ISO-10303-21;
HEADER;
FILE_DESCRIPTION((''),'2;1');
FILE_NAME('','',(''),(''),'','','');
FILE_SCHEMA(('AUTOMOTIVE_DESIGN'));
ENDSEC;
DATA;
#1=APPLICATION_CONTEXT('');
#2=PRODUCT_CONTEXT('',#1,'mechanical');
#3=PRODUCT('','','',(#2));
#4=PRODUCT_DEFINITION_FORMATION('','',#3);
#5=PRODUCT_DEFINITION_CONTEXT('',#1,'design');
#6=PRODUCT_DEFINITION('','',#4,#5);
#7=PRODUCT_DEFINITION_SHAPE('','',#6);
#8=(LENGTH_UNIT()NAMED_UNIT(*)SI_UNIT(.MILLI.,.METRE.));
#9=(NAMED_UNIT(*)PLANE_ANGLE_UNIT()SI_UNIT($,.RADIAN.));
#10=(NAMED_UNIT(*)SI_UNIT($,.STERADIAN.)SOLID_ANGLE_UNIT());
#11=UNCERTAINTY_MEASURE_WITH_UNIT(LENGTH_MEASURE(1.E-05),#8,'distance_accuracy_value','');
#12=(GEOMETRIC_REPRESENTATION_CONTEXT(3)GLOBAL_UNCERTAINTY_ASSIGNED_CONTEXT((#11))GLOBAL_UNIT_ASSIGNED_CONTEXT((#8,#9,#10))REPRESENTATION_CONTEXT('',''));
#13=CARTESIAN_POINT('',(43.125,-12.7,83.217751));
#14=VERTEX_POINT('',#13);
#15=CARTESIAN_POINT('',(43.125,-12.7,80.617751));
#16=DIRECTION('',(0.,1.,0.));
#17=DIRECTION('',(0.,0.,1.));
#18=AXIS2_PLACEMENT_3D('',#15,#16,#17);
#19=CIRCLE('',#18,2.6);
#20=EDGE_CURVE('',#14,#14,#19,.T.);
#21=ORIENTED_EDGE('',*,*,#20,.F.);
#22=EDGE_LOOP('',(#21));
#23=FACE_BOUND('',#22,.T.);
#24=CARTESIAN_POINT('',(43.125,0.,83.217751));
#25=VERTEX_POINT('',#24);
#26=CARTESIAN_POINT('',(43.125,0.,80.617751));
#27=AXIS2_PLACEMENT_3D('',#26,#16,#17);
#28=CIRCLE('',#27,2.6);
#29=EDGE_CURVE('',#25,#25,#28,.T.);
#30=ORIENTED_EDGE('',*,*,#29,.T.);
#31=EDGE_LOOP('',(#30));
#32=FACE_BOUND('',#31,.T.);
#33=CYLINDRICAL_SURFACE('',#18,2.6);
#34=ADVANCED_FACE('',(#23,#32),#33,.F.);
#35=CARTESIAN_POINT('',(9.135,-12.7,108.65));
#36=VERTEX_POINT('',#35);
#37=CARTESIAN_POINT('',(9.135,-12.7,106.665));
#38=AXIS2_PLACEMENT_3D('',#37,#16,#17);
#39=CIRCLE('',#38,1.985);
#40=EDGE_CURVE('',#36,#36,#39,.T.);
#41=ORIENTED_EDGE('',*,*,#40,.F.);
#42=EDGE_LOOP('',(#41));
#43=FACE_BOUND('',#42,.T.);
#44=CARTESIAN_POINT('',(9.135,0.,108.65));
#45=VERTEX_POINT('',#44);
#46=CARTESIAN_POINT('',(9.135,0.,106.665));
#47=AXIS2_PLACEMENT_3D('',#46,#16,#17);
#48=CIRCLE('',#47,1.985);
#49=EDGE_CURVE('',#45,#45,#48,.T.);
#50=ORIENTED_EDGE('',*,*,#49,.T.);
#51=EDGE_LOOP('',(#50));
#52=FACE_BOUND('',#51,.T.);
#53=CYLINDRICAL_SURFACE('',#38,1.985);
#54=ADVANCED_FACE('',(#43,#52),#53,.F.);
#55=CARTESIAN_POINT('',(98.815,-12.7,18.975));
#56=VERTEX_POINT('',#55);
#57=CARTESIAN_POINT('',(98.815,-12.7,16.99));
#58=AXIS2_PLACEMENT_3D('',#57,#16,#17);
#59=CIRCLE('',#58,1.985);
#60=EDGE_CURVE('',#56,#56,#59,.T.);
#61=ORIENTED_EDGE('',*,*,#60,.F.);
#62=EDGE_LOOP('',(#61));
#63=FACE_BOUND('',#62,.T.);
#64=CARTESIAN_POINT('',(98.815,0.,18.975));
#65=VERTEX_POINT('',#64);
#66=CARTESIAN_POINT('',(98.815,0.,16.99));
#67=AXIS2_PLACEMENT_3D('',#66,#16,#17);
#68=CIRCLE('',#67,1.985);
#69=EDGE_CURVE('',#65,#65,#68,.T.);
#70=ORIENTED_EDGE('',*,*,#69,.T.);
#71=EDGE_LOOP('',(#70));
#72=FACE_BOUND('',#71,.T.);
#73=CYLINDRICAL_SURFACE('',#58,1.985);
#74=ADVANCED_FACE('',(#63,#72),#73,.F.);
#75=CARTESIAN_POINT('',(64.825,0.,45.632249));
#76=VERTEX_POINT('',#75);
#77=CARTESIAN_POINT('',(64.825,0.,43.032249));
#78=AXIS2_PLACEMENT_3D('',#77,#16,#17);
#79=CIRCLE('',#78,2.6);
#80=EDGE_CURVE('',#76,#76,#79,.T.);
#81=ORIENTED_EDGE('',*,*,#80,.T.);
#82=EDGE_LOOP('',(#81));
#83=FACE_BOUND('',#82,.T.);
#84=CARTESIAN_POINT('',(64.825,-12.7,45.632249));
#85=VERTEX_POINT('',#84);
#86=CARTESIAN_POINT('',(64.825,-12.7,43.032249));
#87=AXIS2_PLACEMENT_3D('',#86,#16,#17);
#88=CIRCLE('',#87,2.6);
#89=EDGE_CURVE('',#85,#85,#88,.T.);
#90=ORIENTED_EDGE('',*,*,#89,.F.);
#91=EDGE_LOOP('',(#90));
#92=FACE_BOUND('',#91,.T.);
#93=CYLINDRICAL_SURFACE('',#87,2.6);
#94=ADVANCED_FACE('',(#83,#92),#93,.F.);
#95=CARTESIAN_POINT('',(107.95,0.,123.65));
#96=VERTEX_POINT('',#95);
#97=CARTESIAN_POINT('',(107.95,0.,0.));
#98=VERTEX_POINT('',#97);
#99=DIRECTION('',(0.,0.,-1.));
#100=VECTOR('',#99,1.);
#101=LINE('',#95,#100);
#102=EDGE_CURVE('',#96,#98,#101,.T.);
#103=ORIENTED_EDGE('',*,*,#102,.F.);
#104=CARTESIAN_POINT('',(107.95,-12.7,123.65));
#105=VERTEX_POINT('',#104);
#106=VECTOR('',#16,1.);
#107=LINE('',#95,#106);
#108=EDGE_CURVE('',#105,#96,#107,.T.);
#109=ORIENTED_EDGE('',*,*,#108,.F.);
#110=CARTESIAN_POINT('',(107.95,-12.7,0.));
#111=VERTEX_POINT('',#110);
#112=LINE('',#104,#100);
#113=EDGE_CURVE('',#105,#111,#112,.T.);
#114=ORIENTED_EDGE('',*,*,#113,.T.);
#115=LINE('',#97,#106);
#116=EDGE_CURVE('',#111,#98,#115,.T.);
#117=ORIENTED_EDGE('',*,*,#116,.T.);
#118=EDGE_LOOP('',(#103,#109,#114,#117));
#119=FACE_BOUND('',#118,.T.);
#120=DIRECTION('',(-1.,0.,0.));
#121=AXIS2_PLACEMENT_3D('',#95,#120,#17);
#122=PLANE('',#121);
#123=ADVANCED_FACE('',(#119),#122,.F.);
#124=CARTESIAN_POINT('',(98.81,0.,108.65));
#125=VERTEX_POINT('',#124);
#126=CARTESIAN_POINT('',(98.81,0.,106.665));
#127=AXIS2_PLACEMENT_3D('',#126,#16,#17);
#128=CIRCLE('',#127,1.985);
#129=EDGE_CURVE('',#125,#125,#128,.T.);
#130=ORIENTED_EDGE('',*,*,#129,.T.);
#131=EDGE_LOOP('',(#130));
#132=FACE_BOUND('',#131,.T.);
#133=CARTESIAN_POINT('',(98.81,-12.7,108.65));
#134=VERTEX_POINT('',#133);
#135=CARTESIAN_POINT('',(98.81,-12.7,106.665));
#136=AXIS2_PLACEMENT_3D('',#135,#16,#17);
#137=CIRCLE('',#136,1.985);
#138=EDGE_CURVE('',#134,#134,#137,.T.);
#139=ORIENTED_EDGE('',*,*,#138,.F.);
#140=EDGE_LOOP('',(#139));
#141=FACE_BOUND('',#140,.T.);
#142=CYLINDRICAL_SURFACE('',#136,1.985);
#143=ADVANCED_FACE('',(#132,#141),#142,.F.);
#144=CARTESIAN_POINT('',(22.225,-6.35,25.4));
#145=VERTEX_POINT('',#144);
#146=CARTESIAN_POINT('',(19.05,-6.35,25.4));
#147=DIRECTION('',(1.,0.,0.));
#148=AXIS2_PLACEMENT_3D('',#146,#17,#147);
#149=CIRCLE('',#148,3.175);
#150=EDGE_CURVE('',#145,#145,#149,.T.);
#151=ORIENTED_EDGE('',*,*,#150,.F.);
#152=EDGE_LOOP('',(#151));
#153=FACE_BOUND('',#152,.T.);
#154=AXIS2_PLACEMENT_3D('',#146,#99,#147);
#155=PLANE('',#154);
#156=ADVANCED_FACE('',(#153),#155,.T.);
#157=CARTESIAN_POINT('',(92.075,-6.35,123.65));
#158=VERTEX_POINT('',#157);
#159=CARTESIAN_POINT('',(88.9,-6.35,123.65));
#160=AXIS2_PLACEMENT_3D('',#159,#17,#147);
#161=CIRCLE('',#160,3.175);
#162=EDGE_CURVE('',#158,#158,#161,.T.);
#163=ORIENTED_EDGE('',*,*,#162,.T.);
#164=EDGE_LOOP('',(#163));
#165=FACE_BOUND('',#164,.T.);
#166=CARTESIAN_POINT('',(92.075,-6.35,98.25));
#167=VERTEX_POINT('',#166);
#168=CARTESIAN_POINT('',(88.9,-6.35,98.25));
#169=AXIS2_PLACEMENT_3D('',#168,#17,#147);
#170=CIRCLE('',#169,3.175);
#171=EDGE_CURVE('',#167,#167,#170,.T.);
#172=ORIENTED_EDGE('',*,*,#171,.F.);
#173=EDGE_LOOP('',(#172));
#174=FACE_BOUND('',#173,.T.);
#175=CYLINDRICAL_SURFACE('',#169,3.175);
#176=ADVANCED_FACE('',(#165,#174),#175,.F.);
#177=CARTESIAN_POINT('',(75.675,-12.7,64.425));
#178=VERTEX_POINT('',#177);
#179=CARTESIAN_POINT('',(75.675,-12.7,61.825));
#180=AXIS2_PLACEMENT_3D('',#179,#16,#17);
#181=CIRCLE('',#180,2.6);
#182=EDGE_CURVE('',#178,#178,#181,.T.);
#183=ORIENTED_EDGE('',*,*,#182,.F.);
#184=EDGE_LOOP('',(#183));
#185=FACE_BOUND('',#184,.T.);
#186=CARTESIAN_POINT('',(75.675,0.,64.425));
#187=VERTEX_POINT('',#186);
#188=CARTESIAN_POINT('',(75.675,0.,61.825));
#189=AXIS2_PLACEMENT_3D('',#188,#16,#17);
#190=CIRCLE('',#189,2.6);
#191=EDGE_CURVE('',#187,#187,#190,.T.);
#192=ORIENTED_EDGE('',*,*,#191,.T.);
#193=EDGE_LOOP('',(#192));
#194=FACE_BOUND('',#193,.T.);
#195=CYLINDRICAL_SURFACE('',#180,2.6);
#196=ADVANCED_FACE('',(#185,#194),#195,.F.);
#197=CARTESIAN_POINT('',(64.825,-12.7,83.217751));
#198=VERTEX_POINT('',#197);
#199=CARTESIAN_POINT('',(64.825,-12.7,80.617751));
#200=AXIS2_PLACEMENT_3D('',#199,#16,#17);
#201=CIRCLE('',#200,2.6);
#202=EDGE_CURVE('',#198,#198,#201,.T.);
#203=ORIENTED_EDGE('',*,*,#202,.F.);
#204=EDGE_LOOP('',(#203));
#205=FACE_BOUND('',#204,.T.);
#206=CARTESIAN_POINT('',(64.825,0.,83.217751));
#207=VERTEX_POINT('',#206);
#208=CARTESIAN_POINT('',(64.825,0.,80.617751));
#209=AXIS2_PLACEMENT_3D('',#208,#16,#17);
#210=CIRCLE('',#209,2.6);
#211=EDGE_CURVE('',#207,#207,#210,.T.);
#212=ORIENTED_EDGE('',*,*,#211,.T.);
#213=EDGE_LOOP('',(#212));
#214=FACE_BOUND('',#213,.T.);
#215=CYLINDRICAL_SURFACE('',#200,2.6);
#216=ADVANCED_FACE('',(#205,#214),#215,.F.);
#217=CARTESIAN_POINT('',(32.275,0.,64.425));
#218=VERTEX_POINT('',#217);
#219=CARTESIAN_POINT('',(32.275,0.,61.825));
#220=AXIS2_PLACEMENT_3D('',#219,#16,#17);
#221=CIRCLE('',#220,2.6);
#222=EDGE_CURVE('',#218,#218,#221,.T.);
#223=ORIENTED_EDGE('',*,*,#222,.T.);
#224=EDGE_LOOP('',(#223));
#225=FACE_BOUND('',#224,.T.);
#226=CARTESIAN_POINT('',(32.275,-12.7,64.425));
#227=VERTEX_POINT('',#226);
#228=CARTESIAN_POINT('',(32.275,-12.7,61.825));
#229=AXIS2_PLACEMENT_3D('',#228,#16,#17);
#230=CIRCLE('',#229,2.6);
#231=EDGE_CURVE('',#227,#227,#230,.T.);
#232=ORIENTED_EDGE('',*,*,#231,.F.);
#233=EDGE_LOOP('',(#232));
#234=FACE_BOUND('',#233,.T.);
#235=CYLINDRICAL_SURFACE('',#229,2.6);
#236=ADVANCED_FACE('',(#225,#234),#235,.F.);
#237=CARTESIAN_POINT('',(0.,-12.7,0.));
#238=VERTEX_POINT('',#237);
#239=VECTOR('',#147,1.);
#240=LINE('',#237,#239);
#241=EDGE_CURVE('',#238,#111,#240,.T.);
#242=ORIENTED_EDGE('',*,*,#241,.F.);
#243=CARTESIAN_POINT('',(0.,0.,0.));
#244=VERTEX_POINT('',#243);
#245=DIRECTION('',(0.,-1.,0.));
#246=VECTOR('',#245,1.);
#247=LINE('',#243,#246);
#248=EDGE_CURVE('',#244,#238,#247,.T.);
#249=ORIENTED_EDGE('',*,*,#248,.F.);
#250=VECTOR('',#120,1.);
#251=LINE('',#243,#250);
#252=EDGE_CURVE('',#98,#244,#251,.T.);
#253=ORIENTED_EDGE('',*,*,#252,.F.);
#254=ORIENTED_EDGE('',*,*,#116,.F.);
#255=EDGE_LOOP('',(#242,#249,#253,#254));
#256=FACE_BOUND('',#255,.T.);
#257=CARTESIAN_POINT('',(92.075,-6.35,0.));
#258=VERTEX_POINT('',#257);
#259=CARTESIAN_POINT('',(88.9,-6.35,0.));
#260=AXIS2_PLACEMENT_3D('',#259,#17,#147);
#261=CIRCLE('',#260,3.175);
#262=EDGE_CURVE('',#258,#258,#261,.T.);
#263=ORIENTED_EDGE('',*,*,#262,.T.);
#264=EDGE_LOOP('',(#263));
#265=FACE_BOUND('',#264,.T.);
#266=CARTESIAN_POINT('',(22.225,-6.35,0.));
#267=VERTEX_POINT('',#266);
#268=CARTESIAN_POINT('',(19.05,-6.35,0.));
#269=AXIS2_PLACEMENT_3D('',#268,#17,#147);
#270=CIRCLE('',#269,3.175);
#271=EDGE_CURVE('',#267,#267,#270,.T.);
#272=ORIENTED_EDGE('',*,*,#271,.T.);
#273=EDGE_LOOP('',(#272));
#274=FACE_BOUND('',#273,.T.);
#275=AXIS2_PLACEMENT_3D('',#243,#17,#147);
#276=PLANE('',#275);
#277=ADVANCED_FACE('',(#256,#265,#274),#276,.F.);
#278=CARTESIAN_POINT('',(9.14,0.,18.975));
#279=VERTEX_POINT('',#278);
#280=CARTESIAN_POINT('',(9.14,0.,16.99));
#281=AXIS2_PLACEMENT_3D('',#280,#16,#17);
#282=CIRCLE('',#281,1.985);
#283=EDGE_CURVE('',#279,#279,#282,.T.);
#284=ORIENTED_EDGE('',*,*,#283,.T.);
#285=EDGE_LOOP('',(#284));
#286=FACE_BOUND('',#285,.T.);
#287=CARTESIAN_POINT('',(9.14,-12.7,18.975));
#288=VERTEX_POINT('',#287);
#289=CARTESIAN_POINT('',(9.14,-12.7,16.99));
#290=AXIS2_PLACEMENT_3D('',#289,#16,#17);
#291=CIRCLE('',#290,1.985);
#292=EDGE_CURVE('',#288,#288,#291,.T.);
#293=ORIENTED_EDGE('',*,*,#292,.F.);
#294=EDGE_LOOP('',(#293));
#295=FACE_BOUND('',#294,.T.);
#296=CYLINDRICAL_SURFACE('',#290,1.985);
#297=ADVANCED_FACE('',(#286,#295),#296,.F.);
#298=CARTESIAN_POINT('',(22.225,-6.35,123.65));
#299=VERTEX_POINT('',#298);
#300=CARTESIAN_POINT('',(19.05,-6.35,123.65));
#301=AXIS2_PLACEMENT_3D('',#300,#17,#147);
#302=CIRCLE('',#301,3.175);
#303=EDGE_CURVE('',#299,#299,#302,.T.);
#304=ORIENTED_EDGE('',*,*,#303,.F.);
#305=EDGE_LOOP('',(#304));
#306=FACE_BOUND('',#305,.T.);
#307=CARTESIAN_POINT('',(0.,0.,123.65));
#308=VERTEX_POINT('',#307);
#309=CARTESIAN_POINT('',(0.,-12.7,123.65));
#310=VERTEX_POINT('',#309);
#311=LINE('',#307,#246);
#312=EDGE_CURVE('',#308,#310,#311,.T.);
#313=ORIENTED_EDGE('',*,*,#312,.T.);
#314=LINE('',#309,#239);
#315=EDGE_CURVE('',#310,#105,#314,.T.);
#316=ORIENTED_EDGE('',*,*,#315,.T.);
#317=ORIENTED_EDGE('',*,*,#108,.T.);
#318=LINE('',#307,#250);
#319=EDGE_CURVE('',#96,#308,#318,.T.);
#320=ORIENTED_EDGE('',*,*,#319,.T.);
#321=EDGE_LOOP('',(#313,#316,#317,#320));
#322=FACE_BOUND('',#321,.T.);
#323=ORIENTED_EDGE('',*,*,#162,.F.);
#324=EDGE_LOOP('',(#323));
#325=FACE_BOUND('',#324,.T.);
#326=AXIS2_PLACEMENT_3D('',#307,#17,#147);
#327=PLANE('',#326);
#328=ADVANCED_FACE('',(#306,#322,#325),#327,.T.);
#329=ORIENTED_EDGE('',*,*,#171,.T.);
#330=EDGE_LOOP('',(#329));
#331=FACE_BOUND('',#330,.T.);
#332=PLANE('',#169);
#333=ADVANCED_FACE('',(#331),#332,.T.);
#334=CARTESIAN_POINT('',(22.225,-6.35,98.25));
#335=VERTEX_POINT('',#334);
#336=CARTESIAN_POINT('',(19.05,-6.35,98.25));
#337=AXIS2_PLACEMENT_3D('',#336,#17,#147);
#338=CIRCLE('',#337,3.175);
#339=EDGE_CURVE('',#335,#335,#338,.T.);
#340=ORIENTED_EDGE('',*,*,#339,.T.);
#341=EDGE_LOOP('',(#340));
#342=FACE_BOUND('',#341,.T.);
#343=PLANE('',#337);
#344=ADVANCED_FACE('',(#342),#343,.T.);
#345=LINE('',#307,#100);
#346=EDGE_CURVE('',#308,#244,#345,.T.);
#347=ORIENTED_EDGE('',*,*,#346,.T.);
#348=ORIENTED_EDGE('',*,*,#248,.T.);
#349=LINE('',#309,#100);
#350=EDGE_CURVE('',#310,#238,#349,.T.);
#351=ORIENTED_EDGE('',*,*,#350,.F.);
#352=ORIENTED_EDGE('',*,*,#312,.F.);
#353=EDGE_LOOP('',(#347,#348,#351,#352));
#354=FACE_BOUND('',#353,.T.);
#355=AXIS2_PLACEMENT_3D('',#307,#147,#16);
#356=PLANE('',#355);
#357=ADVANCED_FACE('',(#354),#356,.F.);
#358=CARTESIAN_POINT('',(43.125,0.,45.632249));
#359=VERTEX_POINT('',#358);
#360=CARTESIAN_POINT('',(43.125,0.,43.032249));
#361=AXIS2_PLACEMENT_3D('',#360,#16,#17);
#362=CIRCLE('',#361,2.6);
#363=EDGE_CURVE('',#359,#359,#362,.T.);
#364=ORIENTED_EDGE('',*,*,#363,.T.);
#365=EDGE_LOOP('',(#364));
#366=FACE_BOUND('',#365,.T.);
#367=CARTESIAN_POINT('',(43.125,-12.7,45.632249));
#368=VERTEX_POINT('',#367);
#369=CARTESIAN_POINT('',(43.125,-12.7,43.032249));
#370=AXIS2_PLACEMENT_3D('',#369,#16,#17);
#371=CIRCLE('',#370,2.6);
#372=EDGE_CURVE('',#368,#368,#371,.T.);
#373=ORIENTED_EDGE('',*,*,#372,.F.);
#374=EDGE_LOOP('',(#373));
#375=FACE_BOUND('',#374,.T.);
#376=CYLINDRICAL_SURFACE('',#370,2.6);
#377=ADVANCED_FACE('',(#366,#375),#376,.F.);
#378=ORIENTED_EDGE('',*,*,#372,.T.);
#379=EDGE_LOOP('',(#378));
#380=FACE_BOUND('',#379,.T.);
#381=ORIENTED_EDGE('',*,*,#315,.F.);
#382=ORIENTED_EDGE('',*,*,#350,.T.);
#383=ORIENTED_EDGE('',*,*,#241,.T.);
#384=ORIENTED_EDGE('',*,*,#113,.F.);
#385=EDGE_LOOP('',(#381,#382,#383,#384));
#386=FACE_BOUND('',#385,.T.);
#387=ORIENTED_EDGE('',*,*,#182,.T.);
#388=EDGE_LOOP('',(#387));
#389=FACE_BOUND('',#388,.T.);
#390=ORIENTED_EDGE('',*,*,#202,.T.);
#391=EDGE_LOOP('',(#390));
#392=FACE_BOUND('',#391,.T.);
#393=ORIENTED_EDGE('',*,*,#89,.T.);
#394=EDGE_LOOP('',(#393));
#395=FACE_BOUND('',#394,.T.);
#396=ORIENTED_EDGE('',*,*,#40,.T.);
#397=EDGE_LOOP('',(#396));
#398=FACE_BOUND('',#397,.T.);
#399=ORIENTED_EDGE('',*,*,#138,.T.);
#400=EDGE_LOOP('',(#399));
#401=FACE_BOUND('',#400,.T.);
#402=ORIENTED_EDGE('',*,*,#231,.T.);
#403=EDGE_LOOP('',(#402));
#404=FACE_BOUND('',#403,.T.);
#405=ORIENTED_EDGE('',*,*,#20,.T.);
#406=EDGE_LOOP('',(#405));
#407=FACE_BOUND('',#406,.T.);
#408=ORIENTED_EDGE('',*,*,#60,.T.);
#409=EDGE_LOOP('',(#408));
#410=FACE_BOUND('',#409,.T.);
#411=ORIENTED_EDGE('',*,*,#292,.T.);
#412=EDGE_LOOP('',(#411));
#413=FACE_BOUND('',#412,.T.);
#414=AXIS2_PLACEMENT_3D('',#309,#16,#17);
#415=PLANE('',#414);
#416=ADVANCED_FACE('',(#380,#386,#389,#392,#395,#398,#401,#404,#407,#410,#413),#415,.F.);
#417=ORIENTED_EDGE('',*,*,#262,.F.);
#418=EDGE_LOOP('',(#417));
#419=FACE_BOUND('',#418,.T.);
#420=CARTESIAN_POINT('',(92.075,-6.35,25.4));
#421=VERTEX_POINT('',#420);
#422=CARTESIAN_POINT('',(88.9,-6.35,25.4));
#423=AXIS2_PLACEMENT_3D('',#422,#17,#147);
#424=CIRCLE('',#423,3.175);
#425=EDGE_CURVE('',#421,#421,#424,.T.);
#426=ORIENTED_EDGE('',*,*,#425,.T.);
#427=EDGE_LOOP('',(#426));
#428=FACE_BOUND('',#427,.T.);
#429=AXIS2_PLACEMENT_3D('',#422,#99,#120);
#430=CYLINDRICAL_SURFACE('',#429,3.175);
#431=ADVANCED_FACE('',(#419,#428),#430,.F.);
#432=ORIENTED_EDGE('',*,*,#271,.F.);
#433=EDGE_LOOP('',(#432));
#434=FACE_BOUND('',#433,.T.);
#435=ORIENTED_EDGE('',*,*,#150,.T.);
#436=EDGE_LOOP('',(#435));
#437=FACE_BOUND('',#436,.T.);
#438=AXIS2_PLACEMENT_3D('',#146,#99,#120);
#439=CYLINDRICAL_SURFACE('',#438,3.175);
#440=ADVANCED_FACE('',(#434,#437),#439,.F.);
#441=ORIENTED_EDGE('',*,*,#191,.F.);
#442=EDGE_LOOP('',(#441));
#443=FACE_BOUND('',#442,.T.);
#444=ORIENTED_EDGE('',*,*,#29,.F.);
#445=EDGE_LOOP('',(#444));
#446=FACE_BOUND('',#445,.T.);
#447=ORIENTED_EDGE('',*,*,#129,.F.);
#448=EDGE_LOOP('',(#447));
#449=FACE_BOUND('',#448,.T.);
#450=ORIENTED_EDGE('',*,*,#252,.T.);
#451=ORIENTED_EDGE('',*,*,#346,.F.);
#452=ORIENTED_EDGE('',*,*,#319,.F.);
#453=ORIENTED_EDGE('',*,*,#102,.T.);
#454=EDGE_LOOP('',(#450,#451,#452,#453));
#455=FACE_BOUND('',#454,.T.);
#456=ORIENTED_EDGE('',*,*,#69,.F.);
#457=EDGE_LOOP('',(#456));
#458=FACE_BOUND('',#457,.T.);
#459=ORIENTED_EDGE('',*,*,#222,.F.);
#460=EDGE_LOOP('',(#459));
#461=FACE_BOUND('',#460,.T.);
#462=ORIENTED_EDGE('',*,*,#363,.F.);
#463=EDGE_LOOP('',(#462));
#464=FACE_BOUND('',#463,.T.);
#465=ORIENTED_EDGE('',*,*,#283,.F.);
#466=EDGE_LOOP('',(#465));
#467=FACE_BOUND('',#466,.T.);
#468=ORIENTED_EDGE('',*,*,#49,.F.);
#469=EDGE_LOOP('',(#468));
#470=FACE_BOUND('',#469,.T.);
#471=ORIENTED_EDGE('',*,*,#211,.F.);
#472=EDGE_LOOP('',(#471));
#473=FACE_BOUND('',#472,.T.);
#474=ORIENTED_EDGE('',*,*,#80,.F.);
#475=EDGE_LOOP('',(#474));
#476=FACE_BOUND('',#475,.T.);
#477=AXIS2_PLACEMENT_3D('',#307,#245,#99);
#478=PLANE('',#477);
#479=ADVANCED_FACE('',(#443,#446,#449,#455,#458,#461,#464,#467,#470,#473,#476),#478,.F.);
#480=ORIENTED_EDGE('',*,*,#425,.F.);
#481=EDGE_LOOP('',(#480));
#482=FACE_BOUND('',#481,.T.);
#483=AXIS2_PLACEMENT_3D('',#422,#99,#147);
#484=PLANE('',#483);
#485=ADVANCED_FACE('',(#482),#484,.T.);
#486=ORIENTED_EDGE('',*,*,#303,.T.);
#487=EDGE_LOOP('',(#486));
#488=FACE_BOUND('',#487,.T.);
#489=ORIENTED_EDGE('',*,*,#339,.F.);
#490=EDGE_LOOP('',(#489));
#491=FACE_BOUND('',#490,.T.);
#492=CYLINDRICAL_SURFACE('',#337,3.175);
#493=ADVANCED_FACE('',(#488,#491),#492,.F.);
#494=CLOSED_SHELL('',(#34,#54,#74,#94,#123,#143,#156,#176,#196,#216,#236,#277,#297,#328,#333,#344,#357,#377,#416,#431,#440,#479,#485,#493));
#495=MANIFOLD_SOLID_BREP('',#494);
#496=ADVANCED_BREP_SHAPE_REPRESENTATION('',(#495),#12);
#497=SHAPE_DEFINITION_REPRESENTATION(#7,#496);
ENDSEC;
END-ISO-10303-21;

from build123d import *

# Parameters (mm, degrees)
SKETCH1_W           = 107.95
SKETCH1_H           = 12.7
BOSS_EXTRUDE1_DEPTH = 123.65
SKETCH2_R           = 3.175
CUT_EXTRUDE1_DEPTH  = 25.4
SKETCH4_R           = 1.985
CUT_EXTRUDE3_DEPTH  = 165.632363161
SKETCH6_R           = 2.6
CUT_EXTRUDE8_DEPTH  = 165.632363161


with BuildPart() as part:
    # Sketch1 → Boss-Extrude1 (new body)
    with BuildSketch(Plane.XY):
        with Locations((53.975, -6.35)):
            Rectangle(SKETCH1_W, SKETCH1_H)
    extrude(amount=BOSS_EXTRUDE1_DEPTH)

    # Sketch2 → Cut-Extrude1 (cut)
    with BuildSketch(Plane.XY.offset(123.65)):
        with Locations((19.05, -6.35)):
            Circle(SKETCH2_R)
        with Locations((88.9, -6.35)):
            Circle(SKETCH2_R)
    cut_extrude1 = extrude(amount=-CUT_EXTRUDE1_DEPTH, mode=Mode.SUBTRACT)

    # Mirror1: Cut-Extrude1 across plane
    add(cut_extrude1.mirror(Plane.XY.offset(61.825)), mode=Mode.SUBTRACT)

    # Sketch4 → Cut-Extrude3 (cut, through all)
    with BuildSketch(Plane(origin=(0, 0, 0), x_dir=(1, 0, 0), z_dir=(0, 1, 0))):
        with Locations(Location((9.135, -106.665, 0), (0, 0, 270))):
            Circle(SKETCH4_R)
        with Locations(Location((9.14, -16.99, 0), (0, 0, 270))):
            Circle(SKETCH4_R)
        with Locations(Location((98.81, -106.665, 0), (0, 0, 270))):
            Circle(SKETCH4_R)
        with Locations(Location((98.815, -16.99, 0), (0, 0, 270))):
            Circle(SKETCH4_R)
    extrude(amount=-CUT_EXTRUDE3_DEPTH, mode=Mode.SUBTRACT)

    # Sketch6 → Cut-Extrude8 (cut, through all)
    with BuildSketch(Plane(origin=(0, 0, 0), x_dir=(1, 0, 0), z_dir=(0, 1, 0))):
        with Locations(Location((32.275, -61.825, 0), (0, 0, 270))):
            Circle(SKETCH6_R)
        with Locations(Location((43.125, -43.032248738, 0), (0, 0, 270))):
            Circle(SKETCH6_R)
        with Locations(Location((64.825, -43.032248738, 0), (0, 0, 270))):
            Circle(SKETCH6_R)
        with Locations(Location((75.675, -61.825, 0), (0, 0, 270))):
            Circle(SKETCH6_R)
        with Locations(Location((64.825, -80.617751262, 0), (0, 0, 270))):
            Circle(SKETCH6_R)
        with Locations(Location((43.125, -80.617751262, 0), (0, 0, 270))):
            Circle(SKETCH6_R)
    extrude(amount=-CUT_EXTRUDE8_DEPTH, mode=Mode.SUBTRACT)


solid = part.part
